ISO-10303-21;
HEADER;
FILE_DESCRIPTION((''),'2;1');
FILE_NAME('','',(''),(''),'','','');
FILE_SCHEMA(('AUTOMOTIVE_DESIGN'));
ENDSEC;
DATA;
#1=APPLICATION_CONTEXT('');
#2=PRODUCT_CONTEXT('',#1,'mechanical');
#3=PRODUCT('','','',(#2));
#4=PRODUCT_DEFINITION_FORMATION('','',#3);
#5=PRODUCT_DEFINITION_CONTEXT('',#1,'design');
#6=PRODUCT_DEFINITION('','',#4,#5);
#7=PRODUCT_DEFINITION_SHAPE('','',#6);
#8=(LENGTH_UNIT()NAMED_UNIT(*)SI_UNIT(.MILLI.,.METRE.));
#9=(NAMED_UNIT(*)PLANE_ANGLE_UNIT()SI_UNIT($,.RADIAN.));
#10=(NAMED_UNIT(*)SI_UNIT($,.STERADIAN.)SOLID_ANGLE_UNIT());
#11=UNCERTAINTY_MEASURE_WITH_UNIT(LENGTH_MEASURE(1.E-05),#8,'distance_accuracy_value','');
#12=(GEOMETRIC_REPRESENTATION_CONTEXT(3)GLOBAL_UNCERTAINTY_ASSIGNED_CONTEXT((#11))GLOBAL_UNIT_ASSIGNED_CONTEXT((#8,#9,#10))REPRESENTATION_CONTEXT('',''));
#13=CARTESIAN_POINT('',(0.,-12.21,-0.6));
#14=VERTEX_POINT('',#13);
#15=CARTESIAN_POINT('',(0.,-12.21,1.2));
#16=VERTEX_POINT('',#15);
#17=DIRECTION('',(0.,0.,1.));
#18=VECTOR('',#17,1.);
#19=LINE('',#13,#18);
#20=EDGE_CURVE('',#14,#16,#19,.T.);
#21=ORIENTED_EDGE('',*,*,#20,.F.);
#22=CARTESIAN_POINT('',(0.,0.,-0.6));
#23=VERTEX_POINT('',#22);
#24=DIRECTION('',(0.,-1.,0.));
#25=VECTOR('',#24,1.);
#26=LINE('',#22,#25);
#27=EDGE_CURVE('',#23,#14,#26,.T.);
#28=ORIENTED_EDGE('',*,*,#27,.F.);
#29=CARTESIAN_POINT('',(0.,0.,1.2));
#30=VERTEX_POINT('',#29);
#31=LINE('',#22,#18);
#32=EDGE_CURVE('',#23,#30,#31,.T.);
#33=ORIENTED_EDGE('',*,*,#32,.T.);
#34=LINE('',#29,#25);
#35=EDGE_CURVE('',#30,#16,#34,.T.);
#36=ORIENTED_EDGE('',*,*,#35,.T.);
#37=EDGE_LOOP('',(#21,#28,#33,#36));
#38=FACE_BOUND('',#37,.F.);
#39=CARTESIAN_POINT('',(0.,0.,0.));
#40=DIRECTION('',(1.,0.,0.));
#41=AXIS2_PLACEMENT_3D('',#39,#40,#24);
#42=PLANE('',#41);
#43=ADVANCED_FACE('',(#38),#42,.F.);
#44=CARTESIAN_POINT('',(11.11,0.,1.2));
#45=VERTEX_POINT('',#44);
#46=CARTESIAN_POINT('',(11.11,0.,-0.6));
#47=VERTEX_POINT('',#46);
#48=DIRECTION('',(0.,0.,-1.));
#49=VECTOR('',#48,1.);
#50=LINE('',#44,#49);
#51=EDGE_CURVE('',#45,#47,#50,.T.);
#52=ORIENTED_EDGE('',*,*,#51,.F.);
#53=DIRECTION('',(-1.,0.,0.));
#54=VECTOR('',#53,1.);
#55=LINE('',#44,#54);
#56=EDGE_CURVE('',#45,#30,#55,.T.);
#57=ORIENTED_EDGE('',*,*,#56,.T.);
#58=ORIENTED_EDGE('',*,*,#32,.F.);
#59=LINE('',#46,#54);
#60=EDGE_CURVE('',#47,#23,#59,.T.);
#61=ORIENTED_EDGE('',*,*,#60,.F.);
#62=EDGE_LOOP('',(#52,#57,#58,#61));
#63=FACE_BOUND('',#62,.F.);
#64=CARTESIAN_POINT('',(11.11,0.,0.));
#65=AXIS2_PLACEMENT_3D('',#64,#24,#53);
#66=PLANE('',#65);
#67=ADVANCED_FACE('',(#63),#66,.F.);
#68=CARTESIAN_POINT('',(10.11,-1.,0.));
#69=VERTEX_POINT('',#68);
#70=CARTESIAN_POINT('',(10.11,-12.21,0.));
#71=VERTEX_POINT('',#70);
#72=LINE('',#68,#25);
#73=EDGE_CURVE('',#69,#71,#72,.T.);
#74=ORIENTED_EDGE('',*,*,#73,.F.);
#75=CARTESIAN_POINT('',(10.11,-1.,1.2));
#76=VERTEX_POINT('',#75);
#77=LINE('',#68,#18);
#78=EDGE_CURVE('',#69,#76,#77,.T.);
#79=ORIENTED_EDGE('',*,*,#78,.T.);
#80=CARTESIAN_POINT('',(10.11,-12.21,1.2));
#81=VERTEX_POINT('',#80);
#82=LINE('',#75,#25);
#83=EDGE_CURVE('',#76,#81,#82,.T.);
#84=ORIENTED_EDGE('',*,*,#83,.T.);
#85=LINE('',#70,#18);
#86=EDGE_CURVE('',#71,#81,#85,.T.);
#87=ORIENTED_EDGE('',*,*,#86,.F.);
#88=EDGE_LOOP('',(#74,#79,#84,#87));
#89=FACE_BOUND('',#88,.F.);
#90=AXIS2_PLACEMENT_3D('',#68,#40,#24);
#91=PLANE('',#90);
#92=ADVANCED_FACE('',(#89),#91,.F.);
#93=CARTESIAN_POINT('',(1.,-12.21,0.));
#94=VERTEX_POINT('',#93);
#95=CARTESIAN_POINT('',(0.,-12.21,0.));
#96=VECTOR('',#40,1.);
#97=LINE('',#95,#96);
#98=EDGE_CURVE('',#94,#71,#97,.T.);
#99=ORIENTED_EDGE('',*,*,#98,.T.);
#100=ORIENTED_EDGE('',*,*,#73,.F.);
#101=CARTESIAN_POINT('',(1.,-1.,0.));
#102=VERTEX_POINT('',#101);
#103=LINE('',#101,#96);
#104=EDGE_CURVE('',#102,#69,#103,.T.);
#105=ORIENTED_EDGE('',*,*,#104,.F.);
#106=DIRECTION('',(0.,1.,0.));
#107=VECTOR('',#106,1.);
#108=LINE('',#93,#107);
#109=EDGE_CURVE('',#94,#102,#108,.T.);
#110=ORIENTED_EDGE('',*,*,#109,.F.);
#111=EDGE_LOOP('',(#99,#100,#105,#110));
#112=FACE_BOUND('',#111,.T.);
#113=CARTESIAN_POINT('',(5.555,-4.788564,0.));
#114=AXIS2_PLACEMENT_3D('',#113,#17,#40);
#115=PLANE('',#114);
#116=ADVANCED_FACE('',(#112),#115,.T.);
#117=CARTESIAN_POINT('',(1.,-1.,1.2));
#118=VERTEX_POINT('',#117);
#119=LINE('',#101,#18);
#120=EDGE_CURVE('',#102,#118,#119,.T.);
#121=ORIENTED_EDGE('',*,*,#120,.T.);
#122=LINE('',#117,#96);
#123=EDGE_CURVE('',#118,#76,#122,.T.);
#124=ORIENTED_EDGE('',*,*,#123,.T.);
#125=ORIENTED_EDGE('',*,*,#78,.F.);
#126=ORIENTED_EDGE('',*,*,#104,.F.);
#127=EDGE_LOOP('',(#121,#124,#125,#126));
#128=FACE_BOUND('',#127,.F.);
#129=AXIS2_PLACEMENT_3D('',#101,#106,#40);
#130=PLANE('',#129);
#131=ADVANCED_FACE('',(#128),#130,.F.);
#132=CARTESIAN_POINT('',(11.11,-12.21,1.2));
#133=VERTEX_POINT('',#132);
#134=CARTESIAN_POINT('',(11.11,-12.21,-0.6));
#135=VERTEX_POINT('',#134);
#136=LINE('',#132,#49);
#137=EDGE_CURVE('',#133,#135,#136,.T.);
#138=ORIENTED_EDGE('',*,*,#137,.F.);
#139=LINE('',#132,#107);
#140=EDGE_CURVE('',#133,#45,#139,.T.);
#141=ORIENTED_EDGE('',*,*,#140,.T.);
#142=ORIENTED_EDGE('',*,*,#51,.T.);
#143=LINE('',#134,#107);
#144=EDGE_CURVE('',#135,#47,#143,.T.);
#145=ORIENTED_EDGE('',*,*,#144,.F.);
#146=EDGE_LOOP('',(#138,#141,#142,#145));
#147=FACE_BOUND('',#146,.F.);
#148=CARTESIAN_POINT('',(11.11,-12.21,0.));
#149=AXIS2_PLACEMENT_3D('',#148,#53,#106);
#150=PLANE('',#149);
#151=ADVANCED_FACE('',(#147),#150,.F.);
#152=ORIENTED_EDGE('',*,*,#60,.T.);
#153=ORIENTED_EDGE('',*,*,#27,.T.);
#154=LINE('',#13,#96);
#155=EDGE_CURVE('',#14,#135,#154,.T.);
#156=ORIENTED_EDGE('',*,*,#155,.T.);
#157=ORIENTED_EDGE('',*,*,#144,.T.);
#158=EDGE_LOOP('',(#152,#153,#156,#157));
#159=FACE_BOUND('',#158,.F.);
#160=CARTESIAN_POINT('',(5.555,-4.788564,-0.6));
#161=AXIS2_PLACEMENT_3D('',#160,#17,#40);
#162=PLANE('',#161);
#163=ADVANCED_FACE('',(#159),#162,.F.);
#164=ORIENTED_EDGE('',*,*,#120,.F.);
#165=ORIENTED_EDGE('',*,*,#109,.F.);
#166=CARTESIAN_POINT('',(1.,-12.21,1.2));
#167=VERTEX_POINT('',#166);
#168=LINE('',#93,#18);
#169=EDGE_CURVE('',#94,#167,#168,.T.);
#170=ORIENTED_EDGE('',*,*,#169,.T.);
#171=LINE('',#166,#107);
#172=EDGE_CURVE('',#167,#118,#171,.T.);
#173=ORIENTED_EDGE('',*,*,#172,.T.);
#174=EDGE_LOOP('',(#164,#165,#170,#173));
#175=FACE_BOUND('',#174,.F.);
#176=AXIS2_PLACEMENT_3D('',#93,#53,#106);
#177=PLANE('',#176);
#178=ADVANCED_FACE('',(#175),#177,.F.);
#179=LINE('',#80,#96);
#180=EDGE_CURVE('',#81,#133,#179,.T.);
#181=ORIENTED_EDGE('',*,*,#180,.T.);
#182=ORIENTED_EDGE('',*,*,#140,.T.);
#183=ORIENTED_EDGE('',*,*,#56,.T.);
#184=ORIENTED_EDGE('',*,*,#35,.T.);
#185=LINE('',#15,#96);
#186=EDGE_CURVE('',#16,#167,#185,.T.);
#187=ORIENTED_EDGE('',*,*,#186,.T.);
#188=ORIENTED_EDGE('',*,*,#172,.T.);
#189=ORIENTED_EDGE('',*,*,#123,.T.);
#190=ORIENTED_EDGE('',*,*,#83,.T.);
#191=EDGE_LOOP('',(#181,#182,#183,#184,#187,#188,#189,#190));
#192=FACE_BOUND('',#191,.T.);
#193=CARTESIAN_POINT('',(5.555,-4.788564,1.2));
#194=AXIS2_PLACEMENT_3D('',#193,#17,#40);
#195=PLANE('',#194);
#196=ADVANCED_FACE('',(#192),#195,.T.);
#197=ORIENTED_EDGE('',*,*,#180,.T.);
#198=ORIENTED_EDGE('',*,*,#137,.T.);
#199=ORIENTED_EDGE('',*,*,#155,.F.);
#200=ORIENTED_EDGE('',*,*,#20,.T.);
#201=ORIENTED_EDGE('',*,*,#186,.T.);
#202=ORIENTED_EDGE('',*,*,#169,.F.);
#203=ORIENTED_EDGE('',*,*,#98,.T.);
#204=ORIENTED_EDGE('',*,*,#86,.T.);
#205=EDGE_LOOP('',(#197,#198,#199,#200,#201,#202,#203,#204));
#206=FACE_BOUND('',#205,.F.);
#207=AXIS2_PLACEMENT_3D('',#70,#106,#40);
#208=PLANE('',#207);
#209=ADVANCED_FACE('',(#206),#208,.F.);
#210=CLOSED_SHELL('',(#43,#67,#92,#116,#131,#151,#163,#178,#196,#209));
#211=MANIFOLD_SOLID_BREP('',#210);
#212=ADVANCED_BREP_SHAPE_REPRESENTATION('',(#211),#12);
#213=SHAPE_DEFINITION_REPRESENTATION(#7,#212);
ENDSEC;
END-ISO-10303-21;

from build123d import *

# Parameters (mm, degrees)
F0_W     = 9.11
F0_H     = 11.21
F1_DEPTH = 0.6
F2_DEPTH = 1.2


with BuildPart() as f1:
    # F0 (on Top) → F1 (new body)
    with BuildSketch(Plane.XY):
        Polygon((11.11, 0), (0, 0), (0, -12.21), (1, -12.21), (1, -1), (10.11, -1), (10.11, -12.21), (11.11, -12.21), align=None)
        with Locations((5.555, -6.605)):
            Rectangle(F0_W, F0_H)
    extrude(amount=-F1_DEPTH)

    # F0 (on Top) → F2 (join)
    with BuildSketch(Plane.XY):
        Polygon((11.11, 0), (0, 0), (0, -12.21), (1, -12.21), (1, -1), (10.11, -1), (10.11, -12.21), (11.11, -12.21), align=None)
    extrude(amount=F2_DEPTH)


solid = f1.part
